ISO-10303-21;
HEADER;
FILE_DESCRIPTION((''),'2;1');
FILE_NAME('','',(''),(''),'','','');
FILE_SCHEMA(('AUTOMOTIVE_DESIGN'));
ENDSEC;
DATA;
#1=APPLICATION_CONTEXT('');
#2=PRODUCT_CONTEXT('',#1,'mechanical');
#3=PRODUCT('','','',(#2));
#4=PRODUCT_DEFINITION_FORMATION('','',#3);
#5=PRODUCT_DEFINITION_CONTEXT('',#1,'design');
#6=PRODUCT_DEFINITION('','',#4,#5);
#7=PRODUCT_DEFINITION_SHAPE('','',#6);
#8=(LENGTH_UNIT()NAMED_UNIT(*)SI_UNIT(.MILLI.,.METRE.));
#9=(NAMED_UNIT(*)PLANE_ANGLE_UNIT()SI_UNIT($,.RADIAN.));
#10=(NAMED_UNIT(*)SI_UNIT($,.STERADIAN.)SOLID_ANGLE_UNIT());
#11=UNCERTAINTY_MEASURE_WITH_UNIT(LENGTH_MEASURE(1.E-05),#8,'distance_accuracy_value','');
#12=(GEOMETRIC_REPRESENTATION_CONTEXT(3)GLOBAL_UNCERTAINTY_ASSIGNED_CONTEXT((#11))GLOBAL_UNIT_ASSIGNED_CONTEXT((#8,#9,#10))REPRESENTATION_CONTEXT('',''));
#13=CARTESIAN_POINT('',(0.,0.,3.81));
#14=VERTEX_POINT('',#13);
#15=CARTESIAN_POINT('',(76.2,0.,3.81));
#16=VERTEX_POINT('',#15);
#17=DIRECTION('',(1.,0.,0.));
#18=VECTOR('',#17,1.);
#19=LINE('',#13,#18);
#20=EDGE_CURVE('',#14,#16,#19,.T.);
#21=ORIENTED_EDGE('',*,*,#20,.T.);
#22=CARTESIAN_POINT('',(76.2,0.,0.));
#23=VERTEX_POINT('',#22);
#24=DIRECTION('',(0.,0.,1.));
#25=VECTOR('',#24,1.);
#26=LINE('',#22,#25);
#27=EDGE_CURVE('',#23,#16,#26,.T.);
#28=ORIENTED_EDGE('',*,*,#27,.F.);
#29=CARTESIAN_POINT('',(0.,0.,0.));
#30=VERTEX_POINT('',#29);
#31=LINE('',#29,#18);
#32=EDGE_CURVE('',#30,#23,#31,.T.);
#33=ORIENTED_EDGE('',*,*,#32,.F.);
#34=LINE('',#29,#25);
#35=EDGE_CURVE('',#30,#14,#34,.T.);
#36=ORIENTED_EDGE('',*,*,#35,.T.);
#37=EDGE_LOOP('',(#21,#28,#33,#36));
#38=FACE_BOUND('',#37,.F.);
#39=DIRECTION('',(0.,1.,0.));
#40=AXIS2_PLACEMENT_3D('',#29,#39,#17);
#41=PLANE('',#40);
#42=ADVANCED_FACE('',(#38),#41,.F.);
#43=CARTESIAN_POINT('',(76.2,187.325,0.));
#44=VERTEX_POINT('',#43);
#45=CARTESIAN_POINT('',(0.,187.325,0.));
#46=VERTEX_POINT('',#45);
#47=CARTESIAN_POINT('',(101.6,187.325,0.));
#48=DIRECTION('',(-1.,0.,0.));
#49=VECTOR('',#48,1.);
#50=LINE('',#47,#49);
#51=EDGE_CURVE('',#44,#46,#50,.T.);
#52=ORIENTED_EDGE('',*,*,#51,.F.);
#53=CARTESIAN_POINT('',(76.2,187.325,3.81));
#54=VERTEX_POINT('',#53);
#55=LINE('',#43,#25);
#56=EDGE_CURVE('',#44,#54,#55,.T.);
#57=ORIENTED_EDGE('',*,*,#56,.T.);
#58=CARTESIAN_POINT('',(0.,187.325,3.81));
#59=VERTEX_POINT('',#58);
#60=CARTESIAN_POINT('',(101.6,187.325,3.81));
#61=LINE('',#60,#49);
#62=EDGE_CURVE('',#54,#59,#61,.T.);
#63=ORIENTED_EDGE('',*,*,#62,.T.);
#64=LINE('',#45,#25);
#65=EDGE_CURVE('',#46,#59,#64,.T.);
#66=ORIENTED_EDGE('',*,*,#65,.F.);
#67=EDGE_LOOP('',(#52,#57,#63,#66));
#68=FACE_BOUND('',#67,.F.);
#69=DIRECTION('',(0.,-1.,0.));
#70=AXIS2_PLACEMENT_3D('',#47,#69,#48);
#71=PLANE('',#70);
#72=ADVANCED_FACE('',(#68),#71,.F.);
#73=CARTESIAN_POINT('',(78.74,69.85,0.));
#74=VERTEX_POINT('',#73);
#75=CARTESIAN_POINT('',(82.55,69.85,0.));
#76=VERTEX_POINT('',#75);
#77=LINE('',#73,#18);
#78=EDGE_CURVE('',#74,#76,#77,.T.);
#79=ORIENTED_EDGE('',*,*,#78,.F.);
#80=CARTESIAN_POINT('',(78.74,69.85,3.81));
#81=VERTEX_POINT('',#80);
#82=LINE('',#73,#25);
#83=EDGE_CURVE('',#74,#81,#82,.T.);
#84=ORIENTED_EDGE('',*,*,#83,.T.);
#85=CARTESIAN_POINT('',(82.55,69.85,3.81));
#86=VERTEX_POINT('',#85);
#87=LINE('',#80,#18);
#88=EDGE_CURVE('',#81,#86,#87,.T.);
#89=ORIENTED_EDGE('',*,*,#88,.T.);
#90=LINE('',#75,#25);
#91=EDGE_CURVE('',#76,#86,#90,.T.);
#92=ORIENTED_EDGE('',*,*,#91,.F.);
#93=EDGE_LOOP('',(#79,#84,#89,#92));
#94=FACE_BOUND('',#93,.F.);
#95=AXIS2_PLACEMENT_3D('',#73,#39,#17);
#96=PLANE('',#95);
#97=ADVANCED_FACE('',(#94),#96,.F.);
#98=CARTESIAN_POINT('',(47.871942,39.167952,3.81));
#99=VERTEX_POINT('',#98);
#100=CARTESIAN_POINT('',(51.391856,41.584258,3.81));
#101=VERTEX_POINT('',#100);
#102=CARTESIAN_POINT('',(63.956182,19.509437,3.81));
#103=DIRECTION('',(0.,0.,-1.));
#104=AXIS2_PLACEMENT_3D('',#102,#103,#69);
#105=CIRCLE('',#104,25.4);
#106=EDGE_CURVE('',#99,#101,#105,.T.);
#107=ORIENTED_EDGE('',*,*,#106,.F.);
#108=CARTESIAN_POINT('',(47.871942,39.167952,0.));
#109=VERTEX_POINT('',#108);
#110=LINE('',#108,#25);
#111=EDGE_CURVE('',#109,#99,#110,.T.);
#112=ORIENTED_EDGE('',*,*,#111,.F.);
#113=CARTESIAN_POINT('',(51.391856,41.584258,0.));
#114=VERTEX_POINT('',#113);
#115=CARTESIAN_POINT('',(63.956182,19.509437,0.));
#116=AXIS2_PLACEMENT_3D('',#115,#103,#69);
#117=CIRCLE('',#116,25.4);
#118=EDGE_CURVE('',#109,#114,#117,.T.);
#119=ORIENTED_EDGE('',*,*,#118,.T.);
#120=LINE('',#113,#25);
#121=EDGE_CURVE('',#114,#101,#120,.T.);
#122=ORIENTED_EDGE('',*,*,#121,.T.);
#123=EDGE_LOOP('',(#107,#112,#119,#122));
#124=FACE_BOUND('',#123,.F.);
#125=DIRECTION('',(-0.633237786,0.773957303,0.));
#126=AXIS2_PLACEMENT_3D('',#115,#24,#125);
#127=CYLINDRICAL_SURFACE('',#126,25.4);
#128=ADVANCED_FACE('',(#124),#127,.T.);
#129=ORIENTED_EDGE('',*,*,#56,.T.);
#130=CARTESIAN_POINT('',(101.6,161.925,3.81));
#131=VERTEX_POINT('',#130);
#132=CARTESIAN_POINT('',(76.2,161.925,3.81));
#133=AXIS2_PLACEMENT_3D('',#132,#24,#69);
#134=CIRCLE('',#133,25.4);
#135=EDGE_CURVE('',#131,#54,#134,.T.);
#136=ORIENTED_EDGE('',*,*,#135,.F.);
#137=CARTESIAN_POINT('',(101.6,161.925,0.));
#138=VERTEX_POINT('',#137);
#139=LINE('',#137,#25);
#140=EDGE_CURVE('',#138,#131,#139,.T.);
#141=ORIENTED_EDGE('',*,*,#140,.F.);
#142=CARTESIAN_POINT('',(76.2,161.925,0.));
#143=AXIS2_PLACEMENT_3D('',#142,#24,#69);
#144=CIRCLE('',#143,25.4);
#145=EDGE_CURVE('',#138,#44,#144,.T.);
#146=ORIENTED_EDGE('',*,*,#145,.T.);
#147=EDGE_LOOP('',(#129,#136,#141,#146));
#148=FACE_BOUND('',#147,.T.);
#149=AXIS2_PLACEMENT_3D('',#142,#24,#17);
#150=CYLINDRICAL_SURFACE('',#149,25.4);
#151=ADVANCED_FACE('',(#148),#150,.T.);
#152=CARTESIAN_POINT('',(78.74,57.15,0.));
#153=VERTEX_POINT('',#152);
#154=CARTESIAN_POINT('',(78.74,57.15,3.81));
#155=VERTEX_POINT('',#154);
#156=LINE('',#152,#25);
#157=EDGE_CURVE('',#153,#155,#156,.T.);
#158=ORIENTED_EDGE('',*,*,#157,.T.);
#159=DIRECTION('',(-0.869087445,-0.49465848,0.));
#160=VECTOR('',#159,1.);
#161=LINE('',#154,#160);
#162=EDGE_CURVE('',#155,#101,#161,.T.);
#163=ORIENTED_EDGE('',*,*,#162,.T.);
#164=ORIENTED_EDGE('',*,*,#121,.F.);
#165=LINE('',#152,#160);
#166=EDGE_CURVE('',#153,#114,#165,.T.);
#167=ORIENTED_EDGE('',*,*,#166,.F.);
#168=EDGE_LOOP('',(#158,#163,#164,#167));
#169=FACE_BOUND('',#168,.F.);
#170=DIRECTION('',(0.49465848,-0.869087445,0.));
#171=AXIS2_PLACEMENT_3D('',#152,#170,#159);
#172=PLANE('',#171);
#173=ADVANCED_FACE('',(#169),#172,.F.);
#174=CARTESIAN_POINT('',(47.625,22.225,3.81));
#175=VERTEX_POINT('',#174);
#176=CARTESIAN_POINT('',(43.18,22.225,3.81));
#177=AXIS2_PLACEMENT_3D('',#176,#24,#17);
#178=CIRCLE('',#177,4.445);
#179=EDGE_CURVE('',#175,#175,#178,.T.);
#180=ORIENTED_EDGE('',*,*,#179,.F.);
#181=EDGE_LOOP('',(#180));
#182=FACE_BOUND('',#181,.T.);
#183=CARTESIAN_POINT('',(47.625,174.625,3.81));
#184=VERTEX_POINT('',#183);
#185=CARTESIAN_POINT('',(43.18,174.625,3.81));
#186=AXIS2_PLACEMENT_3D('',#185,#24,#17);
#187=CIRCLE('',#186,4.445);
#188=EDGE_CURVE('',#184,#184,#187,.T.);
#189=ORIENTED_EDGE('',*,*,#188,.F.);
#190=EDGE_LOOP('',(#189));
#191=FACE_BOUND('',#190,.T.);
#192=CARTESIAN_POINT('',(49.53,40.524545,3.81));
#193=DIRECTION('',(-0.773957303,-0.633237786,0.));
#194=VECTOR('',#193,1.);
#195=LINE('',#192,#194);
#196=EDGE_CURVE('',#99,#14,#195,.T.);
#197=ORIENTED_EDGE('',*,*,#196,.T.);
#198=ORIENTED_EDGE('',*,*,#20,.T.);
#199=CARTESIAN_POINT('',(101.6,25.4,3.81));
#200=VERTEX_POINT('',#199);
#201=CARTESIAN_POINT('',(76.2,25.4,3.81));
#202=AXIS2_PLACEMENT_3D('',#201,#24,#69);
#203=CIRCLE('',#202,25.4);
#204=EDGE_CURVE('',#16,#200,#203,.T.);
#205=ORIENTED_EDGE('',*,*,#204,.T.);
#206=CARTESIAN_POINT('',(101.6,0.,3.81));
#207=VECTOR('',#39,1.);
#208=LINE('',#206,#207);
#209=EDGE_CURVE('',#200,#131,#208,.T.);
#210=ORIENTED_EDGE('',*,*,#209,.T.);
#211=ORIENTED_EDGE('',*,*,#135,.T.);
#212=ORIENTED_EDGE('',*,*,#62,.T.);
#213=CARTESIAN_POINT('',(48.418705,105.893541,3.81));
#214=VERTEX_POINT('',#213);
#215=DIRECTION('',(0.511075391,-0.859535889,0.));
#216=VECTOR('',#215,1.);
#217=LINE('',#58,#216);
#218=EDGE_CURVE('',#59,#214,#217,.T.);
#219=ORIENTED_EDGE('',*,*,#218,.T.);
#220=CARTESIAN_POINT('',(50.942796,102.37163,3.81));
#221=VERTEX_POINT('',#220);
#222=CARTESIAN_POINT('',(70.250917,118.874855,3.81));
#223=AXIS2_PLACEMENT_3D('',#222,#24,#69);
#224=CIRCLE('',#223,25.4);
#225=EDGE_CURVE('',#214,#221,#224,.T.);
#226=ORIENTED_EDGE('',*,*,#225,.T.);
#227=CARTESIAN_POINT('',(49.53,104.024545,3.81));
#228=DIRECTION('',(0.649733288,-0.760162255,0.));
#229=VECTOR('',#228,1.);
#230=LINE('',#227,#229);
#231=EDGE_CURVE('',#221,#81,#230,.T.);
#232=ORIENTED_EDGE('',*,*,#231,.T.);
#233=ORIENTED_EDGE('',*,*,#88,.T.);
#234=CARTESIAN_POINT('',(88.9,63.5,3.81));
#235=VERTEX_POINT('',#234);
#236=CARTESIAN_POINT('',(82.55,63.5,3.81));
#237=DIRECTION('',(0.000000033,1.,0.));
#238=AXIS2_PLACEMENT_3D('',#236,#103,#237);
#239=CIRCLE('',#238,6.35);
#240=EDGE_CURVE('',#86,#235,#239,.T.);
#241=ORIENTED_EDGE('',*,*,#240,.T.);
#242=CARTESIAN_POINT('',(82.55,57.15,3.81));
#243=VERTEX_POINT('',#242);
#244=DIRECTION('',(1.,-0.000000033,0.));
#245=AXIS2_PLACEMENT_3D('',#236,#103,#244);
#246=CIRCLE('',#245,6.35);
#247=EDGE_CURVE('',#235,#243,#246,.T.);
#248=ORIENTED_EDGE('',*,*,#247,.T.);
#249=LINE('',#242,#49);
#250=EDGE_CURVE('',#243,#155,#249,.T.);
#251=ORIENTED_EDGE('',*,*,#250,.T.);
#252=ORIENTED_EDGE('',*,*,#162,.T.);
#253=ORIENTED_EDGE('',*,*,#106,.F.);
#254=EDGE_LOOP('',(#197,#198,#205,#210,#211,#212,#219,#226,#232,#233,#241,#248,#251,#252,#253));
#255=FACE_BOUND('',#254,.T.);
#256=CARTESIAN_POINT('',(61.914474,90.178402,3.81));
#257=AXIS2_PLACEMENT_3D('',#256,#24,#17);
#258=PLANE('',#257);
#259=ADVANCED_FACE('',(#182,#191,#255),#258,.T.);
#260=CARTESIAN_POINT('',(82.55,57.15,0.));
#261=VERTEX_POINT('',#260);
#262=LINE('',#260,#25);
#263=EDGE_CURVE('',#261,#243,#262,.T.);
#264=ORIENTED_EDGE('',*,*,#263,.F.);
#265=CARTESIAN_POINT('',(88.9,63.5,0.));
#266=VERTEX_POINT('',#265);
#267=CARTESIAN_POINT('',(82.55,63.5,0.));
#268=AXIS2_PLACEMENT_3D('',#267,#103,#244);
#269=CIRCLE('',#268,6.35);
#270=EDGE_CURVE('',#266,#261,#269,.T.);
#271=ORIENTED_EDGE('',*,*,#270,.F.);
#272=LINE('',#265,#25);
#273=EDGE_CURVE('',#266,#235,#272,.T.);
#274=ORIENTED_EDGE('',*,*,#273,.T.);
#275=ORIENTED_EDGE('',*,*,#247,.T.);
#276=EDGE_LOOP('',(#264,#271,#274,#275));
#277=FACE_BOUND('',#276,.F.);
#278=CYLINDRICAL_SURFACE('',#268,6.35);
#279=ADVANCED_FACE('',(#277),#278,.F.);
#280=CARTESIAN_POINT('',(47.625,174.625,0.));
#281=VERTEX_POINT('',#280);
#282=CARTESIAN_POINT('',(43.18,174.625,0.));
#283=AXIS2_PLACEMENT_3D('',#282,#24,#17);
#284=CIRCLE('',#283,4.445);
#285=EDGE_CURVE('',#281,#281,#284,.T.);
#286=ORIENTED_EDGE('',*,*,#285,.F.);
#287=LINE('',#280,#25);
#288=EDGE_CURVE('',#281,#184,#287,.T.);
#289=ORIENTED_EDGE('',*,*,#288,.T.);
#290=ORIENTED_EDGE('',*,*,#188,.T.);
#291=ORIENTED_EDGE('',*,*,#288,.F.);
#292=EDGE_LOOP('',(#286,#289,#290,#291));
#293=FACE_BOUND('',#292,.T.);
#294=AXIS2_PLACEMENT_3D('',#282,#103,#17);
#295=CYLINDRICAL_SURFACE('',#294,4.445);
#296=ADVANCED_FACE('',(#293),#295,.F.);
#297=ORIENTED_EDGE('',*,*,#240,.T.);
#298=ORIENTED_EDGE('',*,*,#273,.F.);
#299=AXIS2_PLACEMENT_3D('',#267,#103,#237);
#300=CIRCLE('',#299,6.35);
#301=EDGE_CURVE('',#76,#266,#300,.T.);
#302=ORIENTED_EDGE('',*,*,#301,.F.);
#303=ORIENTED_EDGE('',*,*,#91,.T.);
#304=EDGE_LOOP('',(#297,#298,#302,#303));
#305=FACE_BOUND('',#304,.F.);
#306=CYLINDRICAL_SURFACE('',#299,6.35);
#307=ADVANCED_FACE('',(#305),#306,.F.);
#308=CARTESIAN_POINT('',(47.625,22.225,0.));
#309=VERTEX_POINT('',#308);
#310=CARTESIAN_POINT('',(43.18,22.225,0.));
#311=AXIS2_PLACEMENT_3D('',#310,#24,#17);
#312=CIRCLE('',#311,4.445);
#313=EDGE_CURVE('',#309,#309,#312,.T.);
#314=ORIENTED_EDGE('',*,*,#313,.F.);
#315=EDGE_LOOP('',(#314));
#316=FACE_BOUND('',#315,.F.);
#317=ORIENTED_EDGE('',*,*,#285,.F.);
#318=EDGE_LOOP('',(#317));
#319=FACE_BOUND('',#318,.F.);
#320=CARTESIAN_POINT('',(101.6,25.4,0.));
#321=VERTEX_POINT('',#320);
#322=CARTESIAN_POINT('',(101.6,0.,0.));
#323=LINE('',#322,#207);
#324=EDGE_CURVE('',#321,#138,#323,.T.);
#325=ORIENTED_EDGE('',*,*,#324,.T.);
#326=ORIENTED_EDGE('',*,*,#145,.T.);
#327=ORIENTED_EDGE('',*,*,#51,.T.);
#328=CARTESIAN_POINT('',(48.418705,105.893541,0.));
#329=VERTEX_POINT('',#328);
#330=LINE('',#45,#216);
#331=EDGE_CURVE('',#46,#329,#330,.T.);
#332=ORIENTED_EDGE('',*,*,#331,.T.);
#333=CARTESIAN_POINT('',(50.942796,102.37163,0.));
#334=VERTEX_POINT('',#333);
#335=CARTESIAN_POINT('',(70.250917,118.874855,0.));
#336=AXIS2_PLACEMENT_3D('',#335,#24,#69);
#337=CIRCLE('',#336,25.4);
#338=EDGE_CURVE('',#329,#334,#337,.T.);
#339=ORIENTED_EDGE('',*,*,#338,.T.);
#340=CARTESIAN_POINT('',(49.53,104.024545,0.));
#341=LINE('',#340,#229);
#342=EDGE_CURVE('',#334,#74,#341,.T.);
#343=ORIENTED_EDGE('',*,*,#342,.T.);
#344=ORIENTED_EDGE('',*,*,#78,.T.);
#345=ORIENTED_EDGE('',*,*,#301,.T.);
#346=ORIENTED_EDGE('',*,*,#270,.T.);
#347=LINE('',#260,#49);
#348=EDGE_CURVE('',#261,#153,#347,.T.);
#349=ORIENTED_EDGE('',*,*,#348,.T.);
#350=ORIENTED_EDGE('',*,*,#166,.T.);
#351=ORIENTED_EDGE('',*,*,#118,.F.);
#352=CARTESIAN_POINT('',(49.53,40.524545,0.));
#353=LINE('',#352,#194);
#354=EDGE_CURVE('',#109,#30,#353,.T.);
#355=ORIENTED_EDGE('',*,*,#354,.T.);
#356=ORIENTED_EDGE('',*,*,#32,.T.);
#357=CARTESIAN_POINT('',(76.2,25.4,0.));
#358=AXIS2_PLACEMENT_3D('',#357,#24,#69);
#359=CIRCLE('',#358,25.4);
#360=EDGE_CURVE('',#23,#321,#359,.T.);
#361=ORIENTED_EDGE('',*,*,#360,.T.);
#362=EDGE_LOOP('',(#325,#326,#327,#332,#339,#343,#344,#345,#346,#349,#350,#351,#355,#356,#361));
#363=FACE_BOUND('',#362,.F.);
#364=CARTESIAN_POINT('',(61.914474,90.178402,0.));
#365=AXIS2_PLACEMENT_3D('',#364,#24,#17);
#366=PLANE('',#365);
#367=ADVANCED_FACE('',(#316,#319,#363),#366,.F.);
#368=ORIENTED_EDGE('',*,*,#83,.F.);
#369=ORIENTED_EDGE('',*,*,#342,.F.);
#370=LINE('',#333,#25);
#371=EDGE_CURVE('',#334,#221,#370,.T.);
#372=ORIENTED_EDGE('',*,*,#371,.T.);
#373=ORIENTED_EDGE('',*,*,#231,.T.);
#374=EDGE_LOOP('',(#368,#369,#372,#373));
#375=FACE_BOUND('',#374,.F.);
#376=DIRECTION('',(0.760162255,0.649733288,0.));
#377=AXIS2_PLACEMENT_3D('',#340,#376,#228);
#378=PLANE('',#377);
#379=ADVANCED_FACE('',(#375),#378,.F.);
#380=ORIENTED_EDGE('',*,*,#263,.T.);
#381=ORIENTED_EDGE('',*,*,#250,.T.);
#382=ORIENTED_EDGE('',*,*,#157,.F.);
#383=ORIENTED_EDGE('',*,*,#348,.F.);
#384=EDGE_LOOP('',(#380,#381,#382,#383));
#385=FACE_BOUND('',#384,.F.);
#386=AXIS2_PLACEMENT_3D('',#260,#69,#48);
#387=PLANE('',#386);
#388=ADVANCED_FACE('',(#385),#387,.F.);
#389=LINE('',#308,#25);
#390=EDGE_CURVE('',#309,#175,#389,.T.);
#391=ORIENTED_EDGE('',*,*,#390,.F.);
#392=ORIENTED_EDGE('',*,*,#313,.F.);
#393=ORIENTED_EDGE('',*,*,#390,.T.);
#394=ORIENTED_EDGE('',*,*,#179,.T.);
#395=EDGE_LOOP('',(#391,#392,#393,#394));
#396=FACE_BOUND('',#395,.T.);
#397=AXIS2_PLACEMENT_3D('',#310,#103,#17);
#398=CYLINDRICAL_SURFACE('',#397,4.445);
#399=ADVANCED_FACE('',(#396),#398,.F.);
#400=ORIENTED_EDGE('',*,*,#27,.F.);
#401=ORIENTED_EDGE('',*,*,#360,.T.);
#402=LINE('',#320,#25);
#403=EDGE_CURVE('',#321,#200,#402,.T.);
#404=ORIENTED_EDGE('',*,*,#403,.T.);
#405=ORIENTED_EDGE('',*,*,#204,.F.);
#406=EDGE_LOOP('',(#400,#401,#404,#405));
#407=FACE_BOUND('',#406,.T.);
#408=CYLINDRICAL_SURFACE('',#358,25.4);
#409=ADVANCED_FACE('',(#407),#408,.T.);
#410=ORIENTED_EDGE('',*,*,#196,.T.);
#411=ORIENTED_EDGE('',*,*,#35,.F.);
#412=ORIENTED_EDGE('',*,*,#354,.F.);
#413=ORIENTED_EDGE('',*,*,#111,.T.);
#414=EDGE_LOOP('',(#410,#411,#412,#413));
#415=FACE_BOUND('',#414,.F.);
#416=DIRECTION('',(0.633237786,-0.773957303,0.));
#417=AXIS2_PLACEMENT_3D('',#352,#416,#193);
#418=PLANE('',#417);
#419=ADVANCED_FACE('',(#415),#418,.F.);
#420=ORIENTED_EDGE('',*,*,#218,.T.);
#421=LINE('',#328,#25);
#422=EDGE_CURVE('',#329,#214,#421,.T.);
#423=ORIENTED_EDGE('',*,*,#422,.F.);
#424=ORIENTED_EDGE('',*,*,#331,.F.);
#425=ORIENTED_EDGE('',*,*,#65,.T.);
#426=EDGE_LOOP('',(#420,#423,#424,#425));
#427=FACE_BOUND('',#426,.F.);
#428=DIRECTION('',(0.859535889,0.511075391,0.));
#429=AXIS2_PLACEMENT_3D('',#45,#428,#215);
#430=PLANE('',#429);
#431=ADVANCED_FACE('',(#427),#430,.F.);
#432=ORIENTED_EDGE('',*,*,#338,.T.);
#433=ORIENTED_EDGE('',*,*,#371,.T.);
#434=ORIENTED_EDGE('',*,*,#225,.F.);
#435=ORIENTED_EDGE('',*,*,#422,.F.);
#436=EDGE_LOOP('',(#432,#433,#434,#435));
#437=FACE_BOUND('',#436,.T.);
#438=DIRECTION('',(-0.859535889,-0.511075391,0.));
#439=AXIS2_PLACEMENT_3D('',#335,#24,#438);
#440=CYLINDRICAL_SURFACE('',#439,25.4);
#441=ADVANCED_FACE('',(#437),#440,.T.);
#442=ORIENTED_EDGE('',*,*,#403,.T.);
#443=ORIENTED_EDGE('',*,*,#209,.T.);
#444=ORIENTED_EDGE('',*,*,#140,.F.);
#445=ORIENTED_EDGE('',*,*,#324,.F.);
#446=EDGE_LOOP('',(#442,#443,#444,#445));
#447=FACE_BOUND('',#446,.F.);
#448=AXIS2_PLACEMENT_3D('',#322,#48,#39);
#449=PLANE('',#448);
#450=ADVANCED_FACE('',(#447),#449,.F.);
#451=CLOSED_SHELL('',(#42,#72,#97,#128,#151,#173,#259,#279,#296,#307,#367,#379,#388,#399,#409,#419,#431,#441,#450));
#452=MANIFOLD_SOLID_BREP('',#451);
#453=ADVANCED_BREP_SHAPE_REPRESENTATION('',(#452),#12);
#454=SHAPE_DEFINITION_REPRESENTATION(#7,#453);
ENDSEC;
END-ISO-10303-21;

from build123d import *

# Parameters (mm, degrees)
F0_R     = 4.445
F1_DEPTH = 3.81
F2_R     = 25.4


with BuildPart() as f1:
    # F0 (on Top) → F1 (new body)
    with BuildSketch(Plane.XY):
        with BuildLine():
            Line((49.53, 40.524545), (0, 0))
            Line((0, 0), (101.6, 0))
            Line((101.6, 0), (101.6, 187.325))
            Line((101.6, 187.325), (0, 187.325))
            Line((0, 187.325), (49.53, 104.024545))
            Line((49.53, 104.024545), (78.74, 69.85))
            Line((78.74, 69.85), (82.55, 69.85))
            ThreePointArc((82.55, 69.85), (87.040128, 67.990128), (88.9, 63.5))
            ThreePointArc((88.9, 63.5), (87.040128, 59.009872), (82.55, 57.15))
            Line((82.55, 57.15), (78.74, 57.15))
            Line((78.74, 57.15), (49.53, 40.524545))
        make_face()
        with Locations((43.18, 22.225)):
            Circle(F0_R, mode=Mode.SUBTRACT)
        with Locations((43.18, 174.625)):
            Circle(F0_R, mode=Mode.SUBTRACT)
    extrude(amount=F1_DEPTH)

    # F2
    f2_edges = [f1.edges().sort_by_distance(p)[0] for p in [
        (101.6, 187.325, 1.905),
        (101.6, 0, 1.905),
        (49.53, 104.024545, 1.905),
        (49.53, 40.524545, 1.905),
    ]]
    fillet(f2_edges, radius=F2_R)


solid = f1.part
